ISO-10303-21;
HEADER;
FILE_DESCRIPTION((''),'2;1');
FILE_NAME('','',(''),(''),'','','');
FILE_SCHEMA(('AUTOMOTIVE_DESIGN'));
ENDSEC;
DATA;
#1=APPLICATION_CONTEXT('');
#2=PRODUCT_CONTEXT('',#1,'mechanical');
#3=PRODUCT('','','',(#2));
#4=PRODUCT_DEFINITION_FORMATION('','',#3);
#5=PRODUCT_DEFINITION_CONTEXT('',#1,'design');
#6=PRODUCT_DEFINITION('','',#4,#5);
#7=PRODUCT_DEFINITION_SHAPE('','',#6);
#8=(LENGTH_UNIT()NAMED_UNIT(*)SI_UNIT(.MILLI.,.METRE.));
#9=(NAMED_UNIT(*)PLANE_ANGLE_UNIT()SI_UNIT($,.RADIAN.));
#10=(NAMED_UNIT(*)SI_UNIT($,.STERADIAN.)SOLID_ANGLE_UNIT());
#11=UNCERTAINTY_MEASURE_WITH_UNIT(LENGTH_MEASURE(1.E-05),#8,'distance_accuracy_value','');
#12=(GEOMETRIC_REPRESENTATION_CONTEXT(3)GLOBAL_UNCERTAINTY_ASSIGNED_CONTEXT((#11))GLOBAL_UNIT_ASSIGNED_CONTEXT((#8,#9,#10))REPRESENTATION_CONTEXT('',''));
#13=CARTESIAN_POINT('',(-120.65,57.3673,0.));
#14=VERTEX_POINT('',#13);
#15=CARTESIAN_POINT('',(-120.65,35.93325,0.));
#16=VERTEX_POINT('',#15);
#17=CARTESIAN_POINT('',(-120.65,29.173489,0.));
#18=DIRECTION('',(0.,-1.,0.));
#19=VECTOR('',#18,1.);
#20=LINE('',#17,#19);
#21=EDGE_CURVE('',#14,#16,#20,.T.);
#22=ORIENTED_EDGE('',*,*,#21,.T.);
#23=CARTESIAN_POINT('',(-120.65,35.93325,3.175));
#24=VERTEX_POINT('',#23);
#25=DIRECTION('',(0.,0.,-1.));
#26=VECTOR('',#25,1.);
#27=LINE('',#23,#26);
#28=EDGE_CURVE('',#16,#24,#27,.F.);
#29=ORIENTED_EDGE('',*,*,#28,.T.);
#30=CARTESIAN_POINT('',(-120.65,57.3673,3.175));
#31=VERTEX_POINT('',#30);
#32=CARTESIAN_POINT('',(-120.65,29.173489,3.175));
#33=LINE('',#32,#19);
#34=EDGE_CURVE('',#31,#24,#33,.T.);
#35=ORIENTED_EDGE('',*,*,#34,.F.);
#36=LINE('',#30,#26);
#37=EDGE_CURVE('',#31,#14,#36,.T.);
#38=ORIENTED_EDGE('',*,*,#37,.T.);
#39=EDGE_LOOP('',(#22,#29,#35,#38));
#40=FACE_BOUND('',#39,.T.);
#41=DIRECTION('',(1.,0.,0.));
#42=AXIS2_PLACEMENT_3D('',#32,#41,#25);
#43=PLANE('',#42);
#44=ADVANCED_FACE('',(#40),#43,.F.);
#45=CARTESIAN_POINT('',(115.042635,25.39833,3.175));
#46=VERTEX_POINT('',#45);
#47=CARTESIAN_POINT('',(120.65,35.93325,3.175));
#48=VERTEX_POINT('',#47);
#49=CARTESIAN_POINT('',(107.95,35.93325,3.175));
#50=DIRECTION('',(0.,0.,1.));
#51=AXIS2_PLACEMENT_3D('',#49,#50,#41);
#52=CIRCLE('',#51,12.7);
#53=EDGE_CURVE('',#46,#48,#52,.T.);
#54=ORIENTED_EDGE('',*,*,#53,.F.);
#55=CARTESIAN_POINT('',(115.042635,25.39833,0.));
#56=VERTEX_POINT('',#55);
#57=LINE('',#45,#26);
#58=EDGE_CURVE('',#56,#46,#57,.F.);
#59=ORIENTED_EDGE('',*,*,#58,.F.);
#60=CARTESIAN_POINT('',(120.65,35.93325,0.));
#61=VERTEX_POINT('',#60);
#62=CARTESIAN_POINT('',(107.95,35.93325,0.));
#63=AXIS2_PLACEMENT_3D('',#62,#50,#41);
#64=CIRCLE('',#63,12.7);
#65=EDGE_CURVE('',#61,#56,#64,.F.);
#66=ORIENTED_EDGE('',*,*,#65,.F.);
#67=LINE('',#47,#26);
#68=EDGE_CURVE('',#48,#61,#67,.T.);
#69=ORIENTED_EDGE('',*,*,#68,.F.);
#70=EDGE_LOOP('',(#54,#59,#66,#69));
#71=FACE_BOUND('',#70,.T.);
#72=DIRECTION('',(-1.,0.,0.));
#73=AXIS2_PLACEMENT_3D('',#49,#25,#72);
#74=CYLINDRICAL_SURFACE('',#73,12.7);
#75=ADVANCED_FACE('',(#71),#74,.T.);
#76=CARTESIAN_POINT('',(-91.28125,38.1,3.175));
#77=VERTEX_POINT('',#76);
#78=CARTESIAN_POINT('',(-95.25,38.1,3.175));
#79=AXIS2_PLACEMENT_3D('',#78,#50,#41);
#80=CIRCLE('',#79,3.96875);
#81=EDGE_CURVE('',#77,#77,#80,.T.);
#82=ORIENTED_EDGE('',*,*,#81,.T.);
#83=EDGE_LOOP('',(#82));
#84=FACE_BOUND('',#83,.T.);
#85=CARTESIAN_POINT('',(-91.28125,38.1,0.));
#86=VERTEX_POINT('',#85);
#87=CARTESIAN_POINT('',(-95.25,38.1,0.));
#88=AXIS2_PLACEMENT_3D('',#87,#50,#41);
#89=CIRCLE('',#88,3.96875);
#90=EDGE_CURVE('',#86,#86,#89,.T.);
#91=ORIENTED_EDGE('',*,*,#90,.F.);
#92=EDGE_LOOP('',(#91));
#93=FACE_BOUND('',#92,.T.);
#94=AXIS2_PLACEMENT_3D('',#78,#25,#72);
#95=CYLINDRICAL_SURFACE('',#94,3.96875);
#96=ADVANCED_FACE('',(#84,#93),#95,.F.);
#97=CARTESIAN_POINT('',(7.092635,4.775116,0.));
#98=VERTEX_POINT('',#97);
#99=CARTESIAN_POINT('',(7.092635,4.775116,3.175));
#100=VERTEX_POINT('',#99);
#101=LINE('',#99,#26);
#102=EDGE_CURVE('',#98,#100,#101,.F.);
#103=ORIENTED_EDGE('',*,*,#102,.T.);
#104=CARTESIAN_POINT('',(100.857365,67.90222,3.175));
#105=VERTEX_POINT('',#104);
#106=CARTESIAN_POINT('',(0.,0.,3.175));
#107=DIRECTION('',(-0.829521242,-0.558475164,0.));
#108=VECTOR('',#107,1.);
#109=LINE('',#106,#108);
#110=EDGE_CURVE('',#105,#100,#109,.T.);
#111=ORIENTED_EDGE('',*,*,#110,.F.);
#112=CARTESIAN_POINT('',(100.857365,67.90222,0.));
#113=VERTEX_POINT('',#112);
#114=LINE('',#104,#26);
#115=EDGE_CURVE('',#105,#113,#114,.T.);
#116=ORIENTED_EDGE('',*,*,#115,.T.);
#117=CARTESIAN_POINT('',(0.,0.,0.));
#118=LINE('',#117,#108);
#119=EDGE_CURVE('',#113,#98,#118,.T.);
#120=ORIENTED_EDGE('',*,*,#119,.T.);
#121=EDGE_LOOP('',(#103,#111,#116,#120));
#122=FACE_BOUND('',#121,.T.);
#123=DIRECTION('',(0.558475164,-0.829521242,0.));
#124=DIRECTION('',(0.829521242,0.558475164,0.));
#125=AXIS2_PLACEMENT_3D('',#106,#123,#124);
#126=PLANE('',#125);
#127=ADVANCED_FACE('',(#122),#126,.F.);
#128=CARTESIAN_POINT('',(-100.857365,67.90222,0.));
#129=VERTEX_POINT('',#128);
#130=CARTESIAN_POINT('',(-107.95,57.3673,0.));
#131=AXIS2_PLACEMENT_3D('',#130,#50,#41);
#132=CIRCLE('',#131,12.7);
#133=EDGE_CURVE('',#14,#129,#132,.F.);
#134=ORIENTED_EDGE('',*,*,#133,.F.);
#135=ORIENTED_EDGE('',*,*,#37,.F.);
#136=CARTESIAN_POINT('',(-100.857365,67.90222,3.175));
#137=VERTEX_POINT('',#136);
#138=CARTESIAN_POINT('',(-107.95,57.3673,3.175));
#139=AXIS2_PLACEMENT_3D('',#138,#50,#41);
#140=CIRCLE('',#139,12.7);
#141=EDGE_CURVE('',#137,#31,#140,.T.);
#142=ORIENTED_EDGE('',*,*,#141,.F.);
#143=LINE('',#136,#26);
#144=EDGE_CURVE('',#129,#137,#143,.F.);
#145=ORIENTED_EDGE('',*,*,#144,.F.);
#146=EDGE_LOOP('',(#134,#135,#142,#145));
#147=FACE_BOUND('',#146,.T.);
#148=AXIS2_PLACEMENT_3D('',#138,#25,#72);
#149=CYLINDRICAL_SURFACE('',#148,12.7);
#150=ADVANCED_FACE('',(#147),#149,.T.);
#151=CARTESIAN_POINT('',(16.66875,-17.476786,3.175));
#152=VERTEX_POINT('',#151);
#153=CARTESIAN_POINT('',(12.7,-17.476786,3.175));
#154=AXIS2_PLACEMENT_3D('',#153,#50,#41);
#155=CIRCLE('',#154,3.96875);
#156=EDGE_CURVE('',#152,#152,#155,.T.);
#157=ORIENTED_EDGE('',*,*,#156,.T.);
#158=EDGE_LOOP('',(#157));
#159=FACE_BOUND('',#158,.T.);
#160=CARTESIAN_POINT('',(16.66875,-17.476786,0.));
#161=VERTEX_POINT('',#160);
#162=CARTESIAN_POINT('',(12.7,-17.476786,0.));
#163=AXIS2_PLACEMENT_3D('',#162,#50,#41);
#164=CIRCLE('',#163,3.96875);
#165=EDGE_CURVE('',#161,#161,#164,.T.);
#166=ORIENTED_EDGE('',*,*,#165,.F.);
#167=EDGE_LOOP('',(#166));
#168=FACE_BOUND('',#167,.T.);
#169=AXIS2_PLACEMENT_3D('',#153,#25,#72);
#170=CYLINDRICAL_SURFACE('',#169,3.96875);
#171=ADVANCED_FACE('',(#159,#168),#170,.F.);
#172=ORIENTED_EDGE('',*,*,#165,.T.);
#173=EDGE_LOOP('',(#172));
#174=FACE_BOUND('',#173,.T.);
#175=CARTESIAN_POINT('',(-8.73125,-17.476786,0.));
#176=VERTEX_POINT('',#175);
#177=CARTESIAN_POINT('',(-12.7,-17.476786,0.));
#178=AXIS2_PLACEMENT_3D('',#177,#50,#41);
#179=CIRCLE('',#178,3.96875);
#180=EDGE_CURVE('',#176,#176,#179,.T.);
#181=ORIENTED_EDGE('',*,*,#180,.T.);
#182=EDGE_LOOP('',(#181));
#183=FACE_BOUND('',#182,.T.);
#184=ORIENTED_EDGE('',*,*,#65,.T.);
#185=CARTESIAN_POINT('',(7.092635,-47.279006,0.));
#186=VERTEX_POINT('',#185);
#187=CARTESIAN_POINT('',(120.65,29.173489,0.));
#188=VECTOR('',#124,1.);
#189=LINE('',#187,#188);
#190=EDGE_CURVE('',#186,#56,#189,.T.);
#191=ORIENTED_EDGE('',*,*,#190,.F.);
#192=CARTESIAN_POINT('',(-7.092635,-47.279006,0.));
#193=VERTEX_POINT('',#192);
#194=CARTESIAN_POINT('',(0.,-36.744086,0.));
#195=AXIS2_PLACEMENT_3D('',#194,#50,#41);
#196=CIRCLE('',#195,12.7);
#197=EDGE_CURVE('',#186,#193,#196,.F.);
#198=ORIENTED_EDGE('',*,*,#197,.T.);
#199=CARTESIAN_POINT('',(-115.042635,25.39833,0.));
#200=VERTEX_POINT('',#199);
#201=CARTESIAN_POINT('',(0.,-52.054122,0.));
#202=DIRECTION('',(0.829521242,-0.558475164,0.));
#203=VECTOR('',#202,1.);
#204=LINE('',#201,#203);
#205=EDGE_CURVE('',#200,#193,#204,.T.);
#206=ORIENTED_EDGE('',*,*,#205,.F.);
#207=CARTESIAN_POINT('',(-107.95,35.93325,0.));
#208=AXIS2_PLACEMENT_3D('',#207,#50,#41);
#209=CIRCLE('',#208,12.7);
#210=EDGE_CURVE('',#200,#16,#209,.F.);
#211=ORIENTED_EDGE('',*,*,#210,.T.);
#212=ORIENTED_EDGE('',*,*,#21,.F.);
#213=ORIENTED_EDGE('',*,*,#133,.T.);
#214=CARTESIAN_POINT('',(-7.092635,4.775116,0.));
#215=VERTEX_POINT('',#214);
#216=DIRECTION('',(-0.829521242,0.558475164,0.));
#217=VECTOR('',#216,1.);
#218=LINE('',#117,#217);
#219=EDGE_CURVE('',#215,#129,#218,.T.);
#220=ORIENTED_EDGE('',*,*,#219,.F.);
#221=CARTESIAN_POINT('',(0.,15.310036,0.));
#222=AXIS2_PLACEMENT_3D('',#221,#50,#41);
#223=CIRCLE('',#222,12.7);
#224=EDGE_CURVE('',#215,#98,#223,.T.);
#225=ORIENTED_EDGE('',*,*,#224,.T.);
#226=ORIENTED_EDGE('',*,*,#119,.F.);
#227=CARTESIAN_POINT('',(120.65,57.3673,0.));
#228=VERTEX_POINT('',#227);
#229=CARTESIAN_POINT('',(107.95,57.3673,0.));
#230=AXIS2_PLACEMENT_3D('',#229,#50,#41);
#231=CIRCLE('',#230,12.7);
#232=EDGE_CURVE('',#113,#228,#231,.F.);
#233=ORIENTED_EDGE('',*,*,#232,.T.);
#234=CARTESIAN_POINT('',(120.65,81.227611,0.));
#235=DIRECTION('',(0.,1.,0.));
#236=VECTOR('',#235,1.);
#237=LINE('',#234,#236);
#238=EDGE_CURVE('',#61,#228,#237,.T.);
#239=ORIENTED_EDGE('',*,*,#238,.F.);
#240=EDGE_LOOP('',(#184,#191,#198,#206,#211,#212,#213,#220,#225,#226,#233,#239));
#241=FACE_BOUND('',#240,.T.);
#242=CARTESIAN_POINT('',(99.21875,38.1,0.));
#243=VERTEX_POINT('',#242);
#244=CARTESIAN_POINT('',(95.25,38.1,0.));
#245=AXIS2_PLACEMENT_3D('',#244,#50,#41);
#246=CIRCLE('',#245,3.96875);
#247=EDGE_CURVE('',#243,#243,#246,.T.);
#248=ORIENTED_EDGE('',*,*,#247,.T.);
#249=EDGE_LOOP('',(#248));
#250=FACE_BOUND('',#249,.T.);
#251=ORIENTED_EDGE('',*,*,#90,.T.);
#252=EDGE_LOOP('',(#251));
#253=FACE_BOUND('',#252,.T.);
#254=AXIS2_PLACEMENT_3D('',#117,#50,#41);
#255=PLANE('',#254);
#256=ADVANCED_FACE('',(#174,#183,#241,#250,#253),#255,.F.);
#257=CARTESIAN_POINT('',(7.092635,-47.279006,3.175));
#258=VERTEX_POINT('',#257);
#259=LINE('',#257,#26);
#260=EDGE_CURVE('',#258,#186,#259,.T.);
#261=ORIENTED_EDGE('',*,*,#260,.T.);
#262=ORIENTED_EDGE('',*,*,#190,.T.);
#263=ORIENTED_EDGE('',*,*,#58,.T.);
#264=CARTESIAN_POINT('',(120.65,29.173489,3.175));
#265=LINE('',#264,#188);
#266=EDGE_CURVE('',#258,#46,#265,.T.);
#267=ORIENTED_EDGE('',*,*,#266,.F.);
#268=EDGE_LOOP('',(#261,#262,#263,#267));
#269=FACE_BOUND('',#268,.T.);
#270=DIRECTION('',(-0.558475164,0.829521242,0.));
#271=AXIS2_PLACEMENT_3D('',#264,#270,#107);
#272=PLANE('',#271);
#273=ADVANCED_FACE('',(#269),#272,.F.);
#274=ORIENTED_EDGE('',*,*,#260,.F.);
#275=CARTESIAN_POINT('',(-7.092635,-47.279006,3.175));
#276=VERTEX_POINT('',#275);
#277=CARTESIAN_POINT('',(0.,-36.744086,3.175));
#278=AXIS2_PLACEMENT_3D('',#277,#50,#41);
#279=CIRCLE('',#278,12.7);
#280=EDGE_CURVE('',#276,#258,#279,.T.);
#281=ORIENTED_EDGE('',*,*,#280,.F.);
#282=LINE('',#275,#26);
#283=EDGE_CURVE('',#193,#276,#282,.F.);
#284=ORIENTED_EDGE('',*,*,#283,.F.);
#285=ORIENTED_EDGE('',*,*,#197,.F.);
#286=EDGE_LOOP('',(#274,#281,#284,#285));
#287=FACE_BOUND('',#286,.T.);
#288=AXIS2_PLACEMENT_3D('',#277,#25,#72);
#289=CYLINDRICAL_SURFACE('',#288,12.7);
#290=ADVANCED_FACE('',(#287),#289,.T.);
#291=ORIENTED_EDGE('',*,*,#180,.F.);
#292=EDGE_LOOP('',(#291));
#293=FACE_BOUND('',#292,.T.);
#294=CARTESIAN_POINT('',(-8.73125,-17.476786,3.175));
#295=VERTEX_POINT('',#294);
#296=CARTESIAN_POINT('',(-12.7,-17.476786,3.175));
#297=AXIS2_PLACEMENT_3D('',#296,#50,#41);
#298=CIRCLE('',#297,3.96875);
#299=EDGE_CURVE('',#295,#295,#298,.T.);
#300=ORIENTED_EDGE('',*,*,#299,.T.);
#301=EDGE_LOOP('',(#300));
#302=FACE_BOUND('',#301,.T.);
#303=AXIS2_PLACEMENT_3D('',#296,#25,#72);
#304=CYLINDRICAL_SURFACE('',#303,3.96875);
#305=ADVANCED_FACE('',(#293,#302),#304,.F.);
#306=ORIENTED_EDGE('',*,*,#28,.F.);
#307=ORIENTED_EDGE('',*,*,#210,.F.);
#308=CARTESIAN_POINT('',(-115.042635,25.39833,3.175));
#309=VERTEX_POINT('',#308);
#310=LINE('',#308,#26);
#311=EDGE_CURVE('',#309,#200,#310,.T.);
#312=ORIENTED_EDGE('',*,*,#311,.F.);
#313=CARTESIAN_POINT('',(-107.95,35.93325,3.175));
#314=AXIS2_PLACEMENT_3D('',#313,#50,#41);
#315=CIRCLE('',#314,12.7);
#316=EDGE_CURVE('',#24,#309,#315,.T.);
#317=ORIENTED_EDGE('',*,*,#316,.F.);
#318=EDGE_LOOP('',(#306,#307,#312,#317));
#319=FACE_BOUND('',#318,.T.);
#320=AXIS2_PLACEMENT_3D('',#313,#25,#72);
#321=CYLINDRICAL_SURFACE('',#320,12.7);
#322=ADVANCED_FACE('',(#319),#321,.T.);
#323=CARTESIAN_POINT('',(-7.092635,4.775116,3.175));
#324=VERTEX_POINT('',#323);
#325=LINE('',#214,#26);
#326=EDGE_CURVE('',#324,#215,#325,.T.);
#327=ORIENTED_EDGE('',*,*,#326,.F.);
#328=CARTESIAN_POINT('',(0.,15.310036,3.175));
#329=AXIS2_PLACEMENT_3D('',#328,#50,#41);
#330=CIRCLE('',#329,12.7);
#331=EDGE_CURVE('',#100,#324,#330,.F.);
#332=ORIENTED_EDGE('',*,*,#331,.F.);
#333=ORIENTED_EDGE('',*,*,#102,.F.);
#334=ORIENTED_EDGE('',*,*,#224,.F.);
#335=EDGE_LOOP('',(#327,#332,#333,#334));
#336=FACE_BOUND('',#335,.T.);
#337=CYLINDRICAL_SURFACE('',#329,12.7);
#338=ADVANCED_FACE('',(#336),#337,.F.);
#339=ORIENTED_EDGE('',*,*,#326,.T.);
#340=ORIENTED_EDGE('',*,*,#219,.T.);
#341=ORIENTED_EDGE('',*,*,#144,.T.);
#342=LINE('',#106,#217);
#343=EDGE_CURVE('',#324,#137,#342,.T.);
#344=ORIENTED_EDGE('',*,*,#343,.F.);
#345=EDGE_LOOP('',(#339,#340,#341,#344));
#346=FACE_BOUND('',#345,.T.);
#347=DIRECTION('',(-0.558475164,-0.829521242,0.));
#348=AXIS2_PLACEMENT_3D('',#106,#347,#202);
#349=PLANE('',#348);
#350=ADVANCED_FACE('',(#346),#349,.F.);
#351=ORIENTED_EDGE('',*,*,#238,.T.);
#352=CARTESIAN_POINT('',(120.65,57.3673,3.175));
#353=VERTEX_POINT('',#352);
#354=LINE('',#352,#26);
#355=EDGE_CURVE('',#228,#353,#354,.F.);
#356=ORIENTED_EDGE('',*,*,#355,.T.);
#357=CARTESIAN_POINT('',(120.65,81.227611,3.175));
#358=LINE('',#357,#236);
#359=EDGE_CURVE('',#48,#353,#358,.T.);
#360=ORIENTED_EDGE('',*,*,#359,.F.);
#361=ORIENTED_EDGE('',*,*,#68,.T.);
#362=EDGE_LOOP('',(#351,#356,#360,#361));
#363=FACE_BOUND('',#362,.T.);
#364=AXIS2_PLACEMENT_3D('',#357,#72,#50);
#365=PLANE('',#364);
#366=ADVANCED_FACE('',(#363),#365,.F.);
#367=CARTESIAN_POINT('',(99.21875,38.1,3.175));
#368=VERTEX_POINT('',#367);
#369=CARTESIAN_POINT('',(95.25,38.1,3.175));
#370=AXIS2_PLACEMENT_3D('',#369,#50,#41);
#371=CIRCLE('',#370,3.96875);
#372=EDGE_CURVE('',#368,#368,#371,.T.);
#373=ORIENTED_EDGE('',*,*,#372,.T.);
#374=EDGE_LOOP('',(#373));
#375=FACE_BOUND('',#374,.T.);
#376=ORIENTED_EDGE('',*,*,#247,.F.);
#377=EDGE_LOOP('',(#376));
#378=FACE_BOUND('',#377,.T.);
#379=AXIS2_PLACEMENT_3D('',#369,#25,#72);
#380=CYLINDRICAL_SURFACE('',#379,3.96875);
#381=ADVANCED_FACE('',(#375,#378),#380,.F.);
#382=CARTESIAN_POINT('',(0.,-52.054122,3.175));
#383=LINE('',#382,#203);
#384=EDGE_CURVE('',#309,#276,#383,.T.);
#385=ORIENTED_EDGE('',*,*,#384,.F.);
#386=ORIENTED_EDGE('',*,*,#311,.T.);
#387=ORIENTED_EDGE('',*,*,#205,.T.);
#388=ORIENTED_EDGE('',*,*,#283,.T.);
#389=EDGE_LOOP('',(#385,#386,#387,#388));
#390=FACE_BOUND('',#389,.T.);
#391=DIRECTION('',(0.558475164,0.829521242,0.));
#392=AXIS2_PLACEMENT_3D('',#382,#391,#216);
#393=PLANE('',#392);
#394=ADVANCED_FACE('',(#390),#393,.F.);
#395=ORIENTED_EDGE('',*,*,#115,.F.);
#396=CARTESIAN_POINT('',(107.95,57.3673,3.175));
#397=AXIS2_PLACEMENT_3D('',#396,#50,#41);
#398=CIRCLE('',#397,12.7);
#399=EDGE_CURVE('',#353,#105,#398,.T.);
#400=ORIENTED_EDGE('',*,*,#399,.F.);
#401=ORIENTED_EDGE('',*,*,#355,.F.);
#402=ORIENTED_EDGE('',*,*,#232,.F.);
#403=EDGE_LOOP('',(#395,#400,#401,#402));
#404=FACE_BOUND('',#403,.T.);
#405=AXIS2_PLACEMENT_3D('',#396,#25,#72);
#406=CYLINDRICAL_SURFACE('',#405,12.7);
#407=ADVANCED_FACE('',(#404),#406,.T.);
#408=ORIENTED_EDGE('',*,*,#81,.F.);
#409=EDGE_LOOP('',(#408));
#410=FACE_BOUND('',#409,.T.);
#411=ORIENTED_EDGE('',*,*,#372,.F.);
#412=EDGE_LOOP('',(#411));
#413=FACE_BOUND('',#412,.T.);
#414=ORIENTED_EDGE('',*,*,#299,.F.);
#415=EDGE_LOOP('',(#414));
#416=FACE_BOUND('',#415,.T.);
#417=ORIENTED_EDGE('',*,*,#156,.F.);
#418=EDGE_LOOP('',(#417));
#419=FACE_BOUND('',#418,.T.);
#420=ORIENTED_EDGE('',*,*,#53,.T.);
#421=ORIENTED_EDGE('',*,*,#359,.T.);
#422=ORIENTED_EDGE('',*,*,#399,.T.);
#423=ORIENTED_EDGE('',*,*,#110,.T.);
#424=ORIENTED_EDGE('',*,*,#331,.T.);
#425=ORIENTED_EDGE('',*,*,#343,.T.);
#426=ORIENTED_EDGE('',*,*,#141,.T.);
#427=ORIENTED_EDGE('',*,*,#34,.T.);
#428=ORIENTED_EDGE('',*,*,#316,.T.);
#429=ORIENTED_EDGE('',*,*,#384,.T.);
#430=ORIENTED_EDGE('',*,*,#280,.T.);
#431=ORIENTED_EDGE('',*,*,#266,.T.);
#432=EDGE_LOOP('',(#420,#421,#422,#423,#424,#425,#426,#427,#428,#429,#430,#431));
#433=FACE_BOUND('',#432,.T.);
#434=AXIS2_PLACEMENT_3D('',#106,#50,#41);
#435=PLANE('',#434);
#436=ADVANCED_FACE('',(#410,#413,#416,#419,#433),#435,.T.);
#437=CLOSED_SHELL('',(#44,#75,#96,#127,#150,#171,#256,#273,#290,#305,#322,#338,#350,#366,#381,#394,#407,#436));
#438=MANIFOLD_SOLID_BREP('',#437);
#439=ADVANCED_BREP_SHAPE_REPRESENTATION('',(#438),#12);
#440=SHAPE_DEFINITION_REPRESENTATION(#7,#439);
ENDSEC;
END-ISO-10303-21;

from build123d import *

# Parameters (mm, degrees)
SKETCH1_R           = 3.96875
BOSS_EXTRUDE1_DEPTH = 3.175
FILLET1_R           = 12.7


with BuildPart() as part:
    # Sketch1 → Boss-Extrude1 (new body)
    with BuildSketch(Plane.XY):
        Polygon((0, 0), (-120.65, 81.227610635), (-120.65, 29.17348858), (0, -52.054122056), (120.65, 29.17348858), (120.65, 81.227610635), align=None)
        with Locations((-95.25, 38.1)):
            Circle(SKETCH1_R, mode=Mode.SUBTRACT)
        with Locations((95.25, 38.1)):
            Circle(SKETCH1_R, mode=Mode.SUBTRACT)
        with Locations((-12.7, -17.476786224)):
            Circle(SKETCH1_R, mode=Mode.SUBTRACT)
        with Locations((12.7, -17.476786224)):
            Circle(SKETCH1_R, mode=Mode.SUBTRACT)
    extrude(amount=BOSS_EXTRUDE1_DEPTH)

    # Fillet1
    fillet1_edges = [part.edges().sort_by_distance(p)[0] for p in [
        (120.65, 81.227610635, 1.5875),
        (120.65, 29.17348858, 1.5875),
        (0, -52.054122056, 1.5875),
        (-120.65, 29.17348858, 1.5875),
        (-120.65, 81.227610635, 1.5875),
        (0, 0, 1.5875),
    ]]
    fillet(fillet1_edges, radius=FILLET1_R)


solid = part.part
